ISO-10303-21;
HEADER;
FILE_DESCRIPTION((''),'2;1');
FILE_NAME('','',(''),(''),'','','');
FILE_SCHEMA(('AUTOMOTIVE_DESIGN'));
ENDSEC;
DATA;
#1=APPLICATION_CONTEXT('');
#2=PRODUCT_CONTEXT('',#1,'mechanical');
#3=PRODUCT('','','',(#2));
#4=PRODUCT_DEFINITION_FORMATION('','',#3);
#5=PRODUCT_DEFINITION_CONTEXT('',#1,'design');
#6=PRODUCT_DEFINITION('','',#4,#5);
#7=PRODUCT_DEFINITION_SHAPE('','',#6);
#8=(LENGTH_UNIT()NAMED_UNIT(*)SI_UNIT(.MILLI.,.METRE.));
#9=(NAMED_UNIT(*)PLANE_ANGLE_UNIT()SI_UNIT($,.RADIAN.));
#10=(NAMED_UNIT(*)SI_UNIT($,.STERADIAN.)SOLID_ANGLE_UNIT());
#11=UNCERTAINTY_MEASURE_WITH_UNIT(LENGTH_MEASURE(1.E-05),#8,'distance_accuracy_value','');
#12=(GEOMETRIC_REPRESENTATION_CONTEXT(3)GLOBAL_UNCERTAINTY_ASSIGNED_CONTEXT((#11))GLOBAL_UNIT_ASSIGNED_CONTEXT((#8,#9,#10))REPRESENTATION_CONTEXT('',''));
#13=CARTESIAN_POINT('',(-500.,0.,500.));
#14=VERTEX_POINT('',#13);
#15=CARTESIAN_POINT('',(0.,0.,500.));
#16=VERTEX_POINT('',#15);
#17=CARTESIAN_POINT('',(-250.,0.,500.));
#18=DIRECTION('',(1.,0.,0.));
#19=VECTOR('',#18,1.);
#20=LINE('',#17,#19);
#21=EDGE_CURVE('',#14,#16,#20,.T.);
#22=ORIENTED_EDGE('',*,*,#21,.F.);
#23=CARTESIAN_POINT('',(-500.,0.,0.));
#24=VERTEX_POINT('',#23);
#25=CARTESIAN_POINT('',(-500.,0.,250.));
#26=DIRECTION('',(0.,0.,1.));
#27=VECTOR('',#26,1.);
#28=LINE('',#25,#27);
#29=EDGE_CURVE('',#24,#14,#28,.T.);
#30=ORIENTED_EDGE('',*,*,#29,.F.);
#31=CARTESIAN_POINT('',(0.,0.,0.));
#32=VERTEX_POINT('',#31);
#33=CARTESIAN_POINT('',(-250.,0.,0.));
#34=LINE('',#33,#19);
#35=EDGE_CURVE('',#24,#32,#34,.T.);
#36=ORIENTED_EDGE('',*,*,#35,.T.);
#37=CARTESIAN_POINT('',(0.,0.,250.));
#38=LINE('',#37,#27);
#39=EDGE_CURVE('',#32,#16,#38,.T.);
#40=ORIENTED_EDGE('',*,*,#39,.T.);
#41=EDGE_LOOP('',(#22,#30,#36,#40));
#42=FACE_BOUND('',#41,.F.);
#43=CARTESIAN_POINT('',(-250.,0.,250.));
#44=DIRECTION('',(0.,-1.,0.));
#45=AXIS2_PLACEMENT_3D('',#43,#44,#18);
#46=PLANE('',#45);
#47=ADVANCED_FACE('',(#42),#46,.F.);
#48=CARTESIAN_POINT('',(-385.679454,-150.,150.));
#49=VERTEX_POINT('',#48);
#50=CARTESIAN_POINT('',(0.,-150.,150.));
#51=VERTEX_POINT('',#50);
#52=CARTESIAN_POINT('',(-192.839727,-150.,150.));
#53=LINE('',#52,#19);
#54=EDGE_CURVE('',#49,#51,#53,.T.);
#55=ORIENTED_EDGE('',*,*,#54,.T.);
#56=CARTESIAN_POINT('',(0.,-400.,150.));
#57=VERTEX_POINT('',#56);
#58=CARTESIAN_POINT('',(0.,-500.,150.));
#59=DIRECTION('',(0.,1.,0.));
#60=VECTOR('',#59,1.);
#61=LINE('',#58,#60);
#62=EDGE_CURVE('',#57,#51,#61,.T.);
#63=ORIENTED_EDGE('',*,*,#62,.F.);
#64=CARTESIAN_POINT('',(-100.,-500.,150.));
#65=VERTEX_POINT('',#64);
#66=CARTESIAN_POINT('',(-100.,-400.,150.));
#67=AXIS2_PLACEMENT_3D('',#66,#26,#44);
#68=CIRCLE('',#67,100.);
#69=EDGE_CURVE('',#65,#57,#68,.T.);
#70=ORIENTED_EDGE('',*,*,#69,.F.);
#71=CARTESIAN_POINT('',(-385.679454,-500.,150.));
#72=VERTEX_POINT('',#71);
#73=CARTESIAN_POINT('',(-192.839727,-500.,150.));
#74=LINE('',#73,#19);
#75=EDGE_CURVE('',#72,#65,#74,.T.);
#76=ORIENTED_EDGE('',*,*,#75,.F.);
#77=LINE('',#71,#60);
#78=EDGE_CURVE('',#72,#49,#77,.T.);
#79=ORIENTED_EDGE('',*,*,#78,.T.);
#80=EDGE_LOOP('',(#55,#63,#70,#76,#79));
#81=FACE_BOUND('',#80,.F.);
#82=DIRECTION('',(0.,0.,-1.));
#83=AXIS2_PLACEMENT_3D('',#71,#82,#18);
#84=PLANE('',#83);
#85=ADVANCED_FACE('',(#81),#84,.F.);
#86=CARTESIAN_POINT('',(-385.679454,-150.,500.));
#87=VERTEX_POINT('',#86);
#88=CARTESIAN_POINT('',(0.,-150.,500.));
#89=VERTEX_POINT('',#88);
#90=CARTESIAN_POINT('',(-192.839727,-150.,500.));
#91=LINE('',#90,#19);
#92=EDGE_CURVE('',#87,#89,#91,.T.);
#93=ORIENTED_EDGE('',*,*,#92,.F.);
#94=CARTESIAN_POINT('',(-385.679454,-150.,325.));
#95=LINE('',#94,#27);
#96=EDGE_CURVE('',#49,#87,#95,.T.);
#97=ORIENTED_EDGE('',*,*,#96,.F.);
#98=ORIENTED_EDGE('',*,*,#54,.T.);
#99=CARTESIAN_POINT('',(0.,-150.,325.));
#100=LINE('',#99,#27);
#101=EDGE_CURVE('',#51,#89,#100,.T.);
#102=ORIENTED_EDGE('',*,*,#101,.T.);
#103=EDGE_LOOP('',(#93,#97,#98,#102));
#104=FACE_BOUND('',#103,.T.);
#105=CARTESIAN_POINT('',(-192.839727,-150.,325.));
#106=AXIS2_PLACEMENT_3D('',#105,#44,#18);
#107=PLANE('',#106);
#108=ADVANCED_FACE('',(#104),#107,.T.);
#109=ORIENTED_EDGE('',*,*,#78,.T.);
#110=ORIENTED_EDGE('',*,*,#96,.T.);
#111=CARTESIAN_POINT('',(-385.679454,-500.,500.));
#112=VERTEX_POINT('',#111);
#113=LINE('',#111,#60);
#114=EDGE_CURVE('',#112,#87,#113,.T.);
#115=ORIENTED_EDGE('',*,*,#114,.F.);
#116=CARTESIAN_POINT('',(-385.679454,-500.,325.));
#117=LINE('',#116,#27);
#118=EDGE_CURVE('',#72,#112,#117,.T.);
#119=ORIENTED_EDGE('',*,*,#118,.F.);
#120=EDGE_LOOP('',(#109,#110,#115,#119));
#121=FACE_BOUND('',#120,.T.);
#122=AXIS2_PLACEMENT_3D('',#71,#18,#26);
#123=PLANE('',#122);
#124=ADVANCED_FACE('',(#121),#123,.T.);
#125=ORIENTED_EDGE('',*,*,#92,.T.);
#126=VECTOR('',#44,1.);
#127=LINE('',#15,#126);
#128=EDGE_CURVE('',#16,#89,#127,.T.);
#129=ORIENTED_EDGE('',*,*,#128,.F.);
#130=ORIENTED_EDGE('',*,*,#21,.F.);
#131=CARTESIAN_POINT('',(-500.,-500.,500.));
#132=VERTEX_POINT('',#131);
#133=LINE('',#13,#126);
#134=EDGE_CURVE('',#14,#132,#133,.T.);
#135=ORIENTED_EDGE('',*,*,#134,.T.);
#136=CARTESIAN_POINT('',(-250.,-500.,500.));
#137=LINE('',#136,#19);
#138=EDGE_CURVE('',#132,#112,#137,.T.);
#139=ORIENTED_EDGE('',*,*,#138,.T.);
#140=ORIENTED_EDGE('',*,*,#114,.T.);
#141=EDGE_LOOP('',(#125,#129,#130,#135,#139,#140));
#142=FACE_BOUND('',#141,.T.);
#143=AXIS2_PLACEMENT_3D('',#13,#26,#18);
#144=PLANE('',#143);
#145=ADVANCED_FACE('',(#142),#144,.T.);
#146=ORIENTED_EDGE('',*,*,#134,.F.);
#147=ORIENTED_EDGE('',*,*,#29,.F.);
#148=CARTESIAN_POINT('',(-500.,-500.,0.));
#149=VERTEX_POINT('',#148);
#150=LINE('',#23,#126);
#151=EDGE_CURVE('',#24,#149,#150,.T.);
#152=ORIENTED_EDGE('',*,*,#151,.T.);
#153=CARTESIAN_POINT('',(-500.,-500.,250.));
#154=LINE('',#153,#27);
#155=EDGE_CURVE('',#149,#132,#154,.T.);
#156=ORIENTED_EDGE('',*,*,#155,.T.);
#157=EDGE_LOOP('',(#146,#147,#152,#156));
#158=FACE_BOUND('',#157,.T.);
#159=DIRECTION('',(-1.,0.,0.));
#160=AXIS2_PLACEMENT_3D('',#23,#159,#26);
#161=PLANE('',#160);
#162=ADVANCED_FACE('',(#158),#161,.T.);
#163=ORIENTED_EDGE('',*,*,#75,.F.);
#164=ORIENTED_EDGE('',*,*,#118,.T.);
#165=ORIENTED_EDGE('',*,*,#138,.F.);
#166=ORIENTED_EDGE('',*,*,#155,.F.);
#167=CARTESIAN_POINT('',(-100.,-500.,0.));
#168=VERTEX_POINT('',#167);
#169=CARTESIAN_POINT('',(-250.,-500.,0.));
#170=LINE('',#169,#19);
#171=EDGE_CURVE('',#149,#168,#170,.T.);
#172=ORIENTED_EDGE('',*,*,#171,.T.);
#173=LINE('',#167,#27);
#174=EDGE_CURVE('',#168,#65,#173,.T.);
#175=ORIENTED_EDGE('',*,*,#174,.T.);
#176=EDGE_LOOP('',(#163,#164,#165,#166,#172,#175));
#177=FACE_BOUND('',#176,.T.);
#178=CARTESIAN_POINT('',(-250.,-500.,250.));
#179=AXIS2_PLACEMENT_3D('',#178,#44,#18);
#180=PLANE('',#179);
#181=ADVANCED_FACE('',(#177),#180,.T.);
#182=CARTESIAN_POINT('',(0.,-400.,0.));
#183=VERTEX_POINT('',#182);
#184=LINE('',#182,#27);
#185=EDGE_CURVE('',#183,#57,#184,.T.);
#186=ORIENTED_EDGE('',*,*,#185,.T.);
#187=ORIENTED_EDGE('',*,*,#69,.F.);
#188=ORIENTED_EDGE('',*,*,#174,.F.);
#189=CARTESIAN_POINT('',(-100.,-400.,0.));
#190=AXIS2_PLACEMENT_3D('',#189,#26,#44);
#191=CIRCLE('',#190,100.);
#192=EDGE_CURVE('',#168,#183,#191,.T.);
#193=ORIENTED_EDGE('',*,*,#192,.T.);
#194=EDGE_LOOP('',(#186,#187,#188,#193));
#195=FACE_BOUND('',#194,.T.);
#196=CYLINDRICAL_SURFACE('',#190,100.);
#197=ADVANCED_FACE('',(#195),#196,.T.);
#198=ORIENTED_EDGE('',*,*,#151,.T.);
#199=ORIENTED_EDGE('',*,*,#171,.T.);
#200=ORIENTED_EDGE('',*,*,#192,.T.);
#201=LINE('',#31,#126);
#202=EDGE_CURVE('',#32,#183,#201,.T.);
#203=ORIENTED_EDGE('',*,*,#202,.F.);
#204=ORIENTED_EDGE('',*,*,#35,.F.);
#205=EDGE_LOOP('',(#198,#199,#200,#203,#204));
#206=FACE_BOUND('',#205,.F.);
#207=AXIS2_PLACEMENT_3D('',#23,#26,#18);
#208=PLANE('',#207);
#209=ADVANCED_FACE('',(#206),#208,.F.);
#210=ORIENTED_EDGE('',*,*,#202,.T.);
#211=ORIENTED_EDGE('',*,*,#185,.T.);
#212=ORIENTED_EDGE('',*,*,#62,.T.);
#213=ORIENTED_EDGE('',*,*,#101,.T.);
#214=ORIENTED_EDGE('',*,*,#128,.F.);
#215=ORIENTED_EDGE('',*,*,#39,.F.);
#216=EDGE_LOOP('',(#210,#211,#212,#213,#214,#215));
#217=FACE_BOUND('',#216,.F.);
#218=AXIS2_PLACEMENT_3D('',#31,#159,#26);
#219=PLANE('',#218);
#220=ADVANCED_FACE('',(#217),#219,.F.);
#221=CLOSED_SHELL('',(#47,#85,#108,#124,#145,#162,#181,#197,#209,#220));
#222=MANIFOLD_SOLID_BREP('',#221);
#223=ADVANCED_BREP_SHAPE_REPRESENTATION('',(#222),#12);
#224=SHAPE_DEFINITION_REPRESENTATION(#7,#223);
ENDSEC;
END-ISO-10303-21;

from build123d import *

# Parameters (mm, degrees)
F1_W     = 500
F1_H     = 500
F2_DEPTH = 500
F3_W     = 385.679454
F3_H     = 350
F4_DEPTH = 350
F5_R     = 100


with BuildPart() as f2:
    # F1 (on face) → F2 (new body)
    with BuildSketch(Plane.XZ):
        with Locations((-250, 250)):
            Rectangle(F1_W, F1_H)
    extrude(amount=F2_DEPTH)

    # F3 (on face) → F4 (cut)
    with BuildSketch(Plane.XZ.offset(500)):
        with Locations((-192.839727, 325)):
            Rectangle(F3_W, F3_H)
    extrude(amount=-F4_DEPTH, mode=Mode.SUBTRACT)

    # F5
    f5_edges = [f2.edges().sort_by_distance(p)[0] for p in [
        (0, -500, 75),
    ]]
    fillet(f5_edges, radius=F5_R)


solid = f2.part
